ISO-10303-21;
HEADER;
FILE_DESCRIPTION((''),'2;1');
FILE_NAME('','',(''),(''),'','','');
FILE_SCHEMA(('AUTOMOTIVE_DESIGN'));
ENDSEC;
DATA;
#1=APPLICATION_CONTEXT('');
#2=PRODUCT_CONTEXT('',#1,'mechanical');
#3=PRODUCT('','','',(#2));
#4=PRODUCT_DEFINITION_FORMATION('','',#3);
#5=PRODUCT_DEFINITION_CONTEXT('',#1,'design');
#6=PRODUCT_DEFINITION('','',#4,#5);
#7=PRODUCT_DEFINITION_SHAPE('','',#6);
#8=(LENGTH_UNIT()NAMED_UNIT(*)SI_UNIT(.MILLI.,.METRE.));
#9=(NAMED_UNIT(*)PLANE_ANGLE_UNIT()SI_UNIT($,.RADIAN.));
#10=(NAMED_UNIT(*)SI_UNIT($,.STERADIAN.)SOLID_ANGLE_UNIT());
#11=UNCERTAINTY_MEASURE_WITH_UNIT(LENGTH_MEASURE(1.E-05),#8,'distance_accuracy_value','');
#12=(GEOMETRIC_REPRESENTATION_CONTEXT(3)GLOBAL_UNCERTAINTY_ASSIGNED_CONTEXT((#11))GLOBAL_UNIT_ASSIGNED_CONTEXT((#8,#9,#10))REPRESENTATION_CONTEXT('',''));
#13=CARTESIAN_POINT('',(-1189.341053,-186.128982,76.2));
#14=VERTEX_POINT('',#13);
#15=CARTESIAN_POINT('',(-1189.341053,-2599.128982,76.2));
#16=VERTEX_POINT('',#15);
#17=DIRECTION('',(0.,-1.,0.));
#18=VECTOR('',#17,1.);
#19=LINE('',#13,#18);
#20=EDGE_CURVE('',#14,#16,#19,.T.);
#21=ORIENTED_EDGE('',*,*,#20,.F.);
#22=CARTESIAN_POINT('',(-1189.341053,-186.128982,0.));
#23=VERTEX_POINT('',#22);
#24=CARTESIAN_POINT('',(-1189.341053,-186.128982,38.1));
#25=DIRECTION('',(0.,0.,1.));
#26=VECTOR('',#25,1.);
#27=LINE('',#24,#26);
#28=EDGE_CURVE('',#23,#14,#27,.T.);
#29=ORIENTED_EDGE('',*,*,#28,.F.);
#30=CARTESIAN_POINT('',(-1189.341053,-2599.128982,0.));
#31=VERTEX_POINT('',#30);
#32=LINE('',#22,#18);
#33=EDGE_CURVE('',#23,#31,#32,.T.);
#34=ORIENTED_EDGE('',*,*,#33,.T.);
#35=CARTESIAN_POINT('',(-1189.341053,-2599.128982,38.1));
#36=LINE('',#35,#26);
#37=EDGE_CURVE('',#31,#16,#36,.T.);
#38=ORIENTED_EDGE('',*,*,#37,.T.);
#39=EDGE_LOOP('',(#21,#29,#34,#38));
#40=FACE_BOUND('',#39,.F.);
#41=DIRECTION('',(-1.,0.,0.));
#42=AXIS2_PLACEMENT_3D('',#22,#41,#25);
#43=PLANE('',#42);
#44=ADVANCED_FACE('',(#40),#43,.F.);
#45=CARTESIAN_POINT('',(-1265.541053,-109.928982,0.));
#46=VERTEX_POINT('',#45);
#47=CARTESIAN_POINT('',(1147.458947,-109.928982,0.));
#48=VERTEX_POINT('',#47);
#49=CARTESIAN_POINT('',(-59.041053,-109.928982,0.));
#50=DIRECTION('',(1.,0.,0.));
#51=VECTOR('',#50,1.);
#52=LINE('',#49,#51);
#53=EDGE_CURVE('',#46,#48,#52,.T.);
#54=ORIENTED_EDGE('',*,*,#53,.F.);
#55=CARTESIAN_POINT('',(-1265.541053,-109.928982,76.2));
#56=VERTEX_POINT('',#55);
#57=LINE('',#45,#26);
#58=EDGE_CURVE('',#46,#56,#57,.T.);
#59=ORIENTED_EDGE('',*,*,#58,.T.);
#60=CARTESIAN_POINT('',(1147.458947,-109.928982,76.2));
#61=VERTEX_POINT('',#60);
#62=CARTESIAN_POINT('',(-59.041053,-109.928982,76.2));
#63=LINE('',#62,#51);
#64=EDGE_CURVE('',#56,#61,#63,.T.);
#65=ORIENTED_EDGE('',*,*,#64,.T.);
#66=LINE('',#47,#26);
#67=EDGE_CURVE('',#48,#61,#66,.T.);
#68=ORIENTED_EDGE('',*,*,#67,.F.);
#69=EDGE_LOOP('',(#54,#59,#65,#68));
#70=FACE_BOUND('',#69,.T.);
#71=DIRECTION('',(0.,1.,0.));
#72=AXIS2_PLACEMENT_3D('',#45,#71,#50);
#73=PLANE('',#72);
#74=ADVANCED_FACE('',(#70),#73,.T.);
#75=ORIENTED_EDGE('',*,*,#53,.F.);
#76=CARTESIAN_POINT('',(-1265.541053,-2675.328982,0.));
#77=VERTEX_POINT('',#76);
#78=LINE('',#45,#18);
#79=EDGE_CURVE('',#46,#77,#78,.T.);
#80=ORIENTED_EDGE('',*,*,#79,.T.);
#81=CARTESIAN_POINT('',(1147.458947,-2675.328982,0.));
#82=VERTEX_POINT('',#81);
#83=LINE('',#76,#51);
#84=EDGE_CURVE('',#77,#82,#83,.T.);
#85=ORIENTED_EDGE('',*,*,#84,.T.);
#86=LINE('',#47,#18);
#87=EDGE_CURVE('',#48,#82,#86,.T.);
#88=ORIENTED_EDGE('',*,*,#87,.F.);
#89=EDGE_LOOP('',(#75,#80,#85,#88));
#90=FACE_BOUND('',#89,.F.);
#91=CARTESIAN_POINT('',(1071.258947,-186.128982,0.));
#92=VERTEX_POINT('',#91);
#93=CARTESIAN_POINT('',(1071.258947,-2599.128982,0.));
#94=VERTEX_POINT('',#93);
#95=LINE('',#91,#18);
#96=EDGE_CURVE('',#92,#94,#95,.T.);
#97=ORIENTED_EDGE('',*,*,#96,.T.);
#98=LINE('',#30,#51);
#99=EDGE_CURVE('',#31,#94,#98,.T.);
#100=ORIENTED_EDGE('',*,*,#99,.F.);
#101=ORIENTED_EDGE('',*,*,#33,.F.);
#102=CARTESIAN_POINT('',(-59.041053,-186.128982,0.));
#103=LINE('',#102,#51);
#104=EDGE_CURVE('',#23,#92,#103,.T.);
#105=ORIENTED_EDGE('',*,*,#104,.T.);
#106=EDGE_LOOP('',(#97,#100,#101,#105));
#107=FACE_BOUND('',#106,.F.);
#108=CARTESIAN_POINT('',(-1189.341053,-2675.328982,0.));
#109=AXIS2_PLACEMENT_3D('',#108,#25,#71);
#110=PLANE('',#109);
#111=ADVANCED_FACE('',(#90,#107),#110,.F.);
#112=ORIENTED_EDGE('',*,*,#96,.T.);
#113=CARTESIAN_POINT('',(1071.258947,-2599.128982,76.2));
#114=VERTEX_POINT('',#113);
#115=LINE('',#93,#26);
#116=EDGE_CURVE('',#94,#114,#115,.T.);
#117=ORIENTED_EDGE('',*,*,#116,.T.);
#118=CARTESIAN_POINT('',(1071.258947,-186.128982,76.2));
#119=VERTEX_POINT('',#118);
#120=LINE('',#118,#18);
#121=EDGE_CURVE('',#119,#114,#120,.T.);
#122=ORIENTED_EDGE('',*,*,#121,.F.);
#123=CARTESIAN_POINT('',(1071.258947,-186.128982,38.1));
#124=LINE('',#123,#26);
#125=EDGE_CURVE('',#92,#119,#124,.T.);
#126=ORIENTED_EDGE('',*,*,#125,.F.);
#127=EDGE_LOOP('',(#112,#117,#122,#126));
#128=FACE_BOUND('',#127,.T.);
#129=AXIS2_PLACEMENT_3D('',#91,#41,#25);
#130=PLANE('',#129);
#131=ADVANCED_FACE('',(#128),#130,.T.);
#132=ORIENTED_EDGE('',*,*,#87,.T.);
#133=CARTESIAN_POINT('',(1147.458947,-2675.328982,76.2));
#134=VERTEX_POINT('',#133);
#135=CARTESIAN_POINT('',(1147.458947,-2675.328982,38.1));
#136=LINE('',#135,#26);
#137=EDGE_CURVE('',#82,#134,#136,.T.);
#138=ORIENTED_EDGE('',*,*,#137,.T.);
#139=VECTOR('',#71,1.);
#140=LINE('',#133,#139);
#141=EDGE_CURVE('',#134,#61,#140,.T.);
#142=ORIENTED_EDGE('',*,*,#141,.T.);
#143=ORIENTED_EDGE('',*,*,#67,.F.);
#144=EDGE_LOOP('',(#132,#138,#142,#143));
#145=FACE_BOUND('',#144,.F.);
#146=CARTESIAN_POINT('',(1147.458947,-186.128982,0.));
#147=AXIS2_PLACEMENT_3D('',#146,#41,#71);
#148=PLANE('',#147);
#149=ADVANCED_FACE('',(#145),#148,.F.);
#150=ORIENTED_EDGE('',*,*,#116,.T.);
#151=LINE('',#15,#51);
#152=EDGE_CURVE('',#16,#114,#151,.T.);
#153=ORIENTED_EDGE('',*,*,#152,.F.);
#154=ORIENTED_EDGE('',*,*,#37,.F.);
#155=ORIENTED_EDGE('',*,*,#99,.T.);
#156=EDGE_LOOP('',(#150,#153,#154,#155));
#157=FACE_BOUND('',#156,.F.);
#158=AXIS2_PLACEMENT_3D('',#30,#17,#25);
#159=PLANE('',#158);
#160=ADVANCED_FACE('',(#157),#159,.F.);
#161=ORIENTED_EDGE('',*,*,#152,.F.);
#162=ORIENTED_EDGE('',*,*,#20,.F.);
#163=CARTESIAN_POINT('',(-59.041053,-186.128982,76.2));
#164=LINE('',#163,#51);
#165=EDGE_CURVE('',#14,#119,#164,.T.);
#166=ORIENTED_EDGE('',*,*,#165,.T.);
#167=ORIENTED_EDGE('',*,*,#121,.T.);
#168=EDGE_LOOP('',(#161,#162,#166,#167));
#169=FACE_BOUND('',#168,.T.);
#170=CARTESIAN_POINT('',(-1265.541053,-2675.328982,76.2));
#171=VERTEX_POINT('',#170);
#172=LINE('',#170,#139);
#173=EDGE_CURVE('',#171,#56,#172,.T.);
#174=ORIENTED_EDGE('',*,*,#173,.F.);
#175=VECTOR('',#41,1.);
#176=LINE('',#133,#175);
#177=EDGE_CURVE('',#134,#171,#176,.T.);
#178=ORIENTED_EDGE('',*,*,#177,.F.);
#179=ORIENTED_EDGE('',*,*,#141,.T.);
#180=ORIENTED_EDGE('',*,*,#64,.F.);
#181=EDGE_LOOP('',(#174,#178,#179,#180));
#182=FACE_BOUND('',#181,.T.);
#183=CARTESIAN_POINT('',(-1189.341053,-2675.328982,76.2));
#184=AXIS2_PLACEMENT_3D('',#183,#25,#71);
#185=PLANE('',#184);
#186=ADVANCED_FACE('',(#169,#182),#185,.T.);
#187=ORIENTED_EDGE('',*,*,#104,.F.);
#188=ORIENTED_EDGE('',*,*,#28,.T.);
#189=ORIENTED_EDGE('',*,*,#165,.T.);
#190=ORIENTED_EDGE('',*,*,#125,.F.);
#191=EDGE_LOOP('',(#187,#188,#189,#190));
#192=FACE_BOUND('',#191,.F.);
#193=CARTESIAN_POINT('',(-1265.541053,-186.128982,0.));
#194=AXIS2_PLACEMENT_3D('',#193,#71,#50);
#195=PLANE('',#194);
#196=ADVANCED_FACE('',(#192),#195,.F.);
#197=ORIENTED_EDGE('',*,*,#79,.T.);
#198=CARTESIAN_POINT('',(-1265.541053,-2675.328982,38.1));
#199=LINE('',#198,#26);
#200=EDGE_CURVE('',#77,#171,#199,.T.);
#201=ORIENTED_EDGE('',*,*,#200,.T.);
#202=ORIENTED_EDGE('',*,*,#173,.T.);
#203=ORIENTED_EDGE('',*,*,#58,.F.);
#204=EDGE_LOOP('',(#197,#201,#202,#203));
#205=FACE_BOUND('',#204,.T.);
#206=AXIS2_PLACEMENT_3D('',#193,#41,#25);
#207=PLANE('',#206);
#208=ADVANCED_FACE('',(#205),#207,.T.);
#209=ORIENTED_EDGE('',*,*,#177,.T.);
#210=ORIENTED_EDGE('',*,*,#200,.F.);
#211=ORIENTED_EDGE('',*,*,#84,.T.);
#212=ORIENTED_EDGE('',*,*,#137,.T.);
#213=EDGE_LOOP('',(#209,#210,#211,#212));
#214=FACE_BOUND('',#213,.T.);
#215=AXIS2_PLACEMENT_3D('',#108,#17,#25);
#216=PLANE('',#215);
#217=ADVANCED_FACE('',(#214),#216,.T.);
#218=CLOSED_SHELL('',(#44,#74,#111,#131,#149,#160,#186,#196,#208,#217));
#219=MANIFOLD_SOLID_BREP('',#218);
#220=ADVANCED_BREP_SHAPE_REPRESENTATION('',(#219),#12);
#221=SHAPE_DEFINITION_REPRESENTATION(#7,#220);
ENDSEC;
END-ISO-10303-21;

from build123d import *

# Parameters (mm, degrees)
F0_W     = 2413
F0_H     = 76.2
F1_DEPTH = 76.2
F2_W     = 76.2
F2_H     = 76.2
F3_DEPTH = 2489.2
F4_W     = 76.2
F4_H     = 76.2
F6_DEPTH = 2336.8


with BuildPart() as f1:
    # F0 (on Top) → F1 (new body)
    with BuildSketch(Plane.XY):
        with Locations((-59.041053, -148.028982)):
            Rectangle(F0_W, F0_H)
    extrude(amount=F1_DEPTH)

    # F2 (on face) → F3 (join)
    with BuildSketch(Plane.XZ.offset(186.128982)):
        with Locations((-1227.441053, 38.1)):
            Rectangle(F2_W, F2_H)
        with Locations((1109.358947, 38.1)):
            Rectangle(F2_W, F2_H)
    extrude(amount=F3_DEPTH)

    # F4 (on face) → F6 (join)
    with BuildSketch(Plane.YZ.offset(-1189.341053)):
        with Locations((-2637.228982, 38.1)):
            Rectangle(F4_W, F4_H)
    extrude(amount=F6_DEPTH)


solid = f1.part
